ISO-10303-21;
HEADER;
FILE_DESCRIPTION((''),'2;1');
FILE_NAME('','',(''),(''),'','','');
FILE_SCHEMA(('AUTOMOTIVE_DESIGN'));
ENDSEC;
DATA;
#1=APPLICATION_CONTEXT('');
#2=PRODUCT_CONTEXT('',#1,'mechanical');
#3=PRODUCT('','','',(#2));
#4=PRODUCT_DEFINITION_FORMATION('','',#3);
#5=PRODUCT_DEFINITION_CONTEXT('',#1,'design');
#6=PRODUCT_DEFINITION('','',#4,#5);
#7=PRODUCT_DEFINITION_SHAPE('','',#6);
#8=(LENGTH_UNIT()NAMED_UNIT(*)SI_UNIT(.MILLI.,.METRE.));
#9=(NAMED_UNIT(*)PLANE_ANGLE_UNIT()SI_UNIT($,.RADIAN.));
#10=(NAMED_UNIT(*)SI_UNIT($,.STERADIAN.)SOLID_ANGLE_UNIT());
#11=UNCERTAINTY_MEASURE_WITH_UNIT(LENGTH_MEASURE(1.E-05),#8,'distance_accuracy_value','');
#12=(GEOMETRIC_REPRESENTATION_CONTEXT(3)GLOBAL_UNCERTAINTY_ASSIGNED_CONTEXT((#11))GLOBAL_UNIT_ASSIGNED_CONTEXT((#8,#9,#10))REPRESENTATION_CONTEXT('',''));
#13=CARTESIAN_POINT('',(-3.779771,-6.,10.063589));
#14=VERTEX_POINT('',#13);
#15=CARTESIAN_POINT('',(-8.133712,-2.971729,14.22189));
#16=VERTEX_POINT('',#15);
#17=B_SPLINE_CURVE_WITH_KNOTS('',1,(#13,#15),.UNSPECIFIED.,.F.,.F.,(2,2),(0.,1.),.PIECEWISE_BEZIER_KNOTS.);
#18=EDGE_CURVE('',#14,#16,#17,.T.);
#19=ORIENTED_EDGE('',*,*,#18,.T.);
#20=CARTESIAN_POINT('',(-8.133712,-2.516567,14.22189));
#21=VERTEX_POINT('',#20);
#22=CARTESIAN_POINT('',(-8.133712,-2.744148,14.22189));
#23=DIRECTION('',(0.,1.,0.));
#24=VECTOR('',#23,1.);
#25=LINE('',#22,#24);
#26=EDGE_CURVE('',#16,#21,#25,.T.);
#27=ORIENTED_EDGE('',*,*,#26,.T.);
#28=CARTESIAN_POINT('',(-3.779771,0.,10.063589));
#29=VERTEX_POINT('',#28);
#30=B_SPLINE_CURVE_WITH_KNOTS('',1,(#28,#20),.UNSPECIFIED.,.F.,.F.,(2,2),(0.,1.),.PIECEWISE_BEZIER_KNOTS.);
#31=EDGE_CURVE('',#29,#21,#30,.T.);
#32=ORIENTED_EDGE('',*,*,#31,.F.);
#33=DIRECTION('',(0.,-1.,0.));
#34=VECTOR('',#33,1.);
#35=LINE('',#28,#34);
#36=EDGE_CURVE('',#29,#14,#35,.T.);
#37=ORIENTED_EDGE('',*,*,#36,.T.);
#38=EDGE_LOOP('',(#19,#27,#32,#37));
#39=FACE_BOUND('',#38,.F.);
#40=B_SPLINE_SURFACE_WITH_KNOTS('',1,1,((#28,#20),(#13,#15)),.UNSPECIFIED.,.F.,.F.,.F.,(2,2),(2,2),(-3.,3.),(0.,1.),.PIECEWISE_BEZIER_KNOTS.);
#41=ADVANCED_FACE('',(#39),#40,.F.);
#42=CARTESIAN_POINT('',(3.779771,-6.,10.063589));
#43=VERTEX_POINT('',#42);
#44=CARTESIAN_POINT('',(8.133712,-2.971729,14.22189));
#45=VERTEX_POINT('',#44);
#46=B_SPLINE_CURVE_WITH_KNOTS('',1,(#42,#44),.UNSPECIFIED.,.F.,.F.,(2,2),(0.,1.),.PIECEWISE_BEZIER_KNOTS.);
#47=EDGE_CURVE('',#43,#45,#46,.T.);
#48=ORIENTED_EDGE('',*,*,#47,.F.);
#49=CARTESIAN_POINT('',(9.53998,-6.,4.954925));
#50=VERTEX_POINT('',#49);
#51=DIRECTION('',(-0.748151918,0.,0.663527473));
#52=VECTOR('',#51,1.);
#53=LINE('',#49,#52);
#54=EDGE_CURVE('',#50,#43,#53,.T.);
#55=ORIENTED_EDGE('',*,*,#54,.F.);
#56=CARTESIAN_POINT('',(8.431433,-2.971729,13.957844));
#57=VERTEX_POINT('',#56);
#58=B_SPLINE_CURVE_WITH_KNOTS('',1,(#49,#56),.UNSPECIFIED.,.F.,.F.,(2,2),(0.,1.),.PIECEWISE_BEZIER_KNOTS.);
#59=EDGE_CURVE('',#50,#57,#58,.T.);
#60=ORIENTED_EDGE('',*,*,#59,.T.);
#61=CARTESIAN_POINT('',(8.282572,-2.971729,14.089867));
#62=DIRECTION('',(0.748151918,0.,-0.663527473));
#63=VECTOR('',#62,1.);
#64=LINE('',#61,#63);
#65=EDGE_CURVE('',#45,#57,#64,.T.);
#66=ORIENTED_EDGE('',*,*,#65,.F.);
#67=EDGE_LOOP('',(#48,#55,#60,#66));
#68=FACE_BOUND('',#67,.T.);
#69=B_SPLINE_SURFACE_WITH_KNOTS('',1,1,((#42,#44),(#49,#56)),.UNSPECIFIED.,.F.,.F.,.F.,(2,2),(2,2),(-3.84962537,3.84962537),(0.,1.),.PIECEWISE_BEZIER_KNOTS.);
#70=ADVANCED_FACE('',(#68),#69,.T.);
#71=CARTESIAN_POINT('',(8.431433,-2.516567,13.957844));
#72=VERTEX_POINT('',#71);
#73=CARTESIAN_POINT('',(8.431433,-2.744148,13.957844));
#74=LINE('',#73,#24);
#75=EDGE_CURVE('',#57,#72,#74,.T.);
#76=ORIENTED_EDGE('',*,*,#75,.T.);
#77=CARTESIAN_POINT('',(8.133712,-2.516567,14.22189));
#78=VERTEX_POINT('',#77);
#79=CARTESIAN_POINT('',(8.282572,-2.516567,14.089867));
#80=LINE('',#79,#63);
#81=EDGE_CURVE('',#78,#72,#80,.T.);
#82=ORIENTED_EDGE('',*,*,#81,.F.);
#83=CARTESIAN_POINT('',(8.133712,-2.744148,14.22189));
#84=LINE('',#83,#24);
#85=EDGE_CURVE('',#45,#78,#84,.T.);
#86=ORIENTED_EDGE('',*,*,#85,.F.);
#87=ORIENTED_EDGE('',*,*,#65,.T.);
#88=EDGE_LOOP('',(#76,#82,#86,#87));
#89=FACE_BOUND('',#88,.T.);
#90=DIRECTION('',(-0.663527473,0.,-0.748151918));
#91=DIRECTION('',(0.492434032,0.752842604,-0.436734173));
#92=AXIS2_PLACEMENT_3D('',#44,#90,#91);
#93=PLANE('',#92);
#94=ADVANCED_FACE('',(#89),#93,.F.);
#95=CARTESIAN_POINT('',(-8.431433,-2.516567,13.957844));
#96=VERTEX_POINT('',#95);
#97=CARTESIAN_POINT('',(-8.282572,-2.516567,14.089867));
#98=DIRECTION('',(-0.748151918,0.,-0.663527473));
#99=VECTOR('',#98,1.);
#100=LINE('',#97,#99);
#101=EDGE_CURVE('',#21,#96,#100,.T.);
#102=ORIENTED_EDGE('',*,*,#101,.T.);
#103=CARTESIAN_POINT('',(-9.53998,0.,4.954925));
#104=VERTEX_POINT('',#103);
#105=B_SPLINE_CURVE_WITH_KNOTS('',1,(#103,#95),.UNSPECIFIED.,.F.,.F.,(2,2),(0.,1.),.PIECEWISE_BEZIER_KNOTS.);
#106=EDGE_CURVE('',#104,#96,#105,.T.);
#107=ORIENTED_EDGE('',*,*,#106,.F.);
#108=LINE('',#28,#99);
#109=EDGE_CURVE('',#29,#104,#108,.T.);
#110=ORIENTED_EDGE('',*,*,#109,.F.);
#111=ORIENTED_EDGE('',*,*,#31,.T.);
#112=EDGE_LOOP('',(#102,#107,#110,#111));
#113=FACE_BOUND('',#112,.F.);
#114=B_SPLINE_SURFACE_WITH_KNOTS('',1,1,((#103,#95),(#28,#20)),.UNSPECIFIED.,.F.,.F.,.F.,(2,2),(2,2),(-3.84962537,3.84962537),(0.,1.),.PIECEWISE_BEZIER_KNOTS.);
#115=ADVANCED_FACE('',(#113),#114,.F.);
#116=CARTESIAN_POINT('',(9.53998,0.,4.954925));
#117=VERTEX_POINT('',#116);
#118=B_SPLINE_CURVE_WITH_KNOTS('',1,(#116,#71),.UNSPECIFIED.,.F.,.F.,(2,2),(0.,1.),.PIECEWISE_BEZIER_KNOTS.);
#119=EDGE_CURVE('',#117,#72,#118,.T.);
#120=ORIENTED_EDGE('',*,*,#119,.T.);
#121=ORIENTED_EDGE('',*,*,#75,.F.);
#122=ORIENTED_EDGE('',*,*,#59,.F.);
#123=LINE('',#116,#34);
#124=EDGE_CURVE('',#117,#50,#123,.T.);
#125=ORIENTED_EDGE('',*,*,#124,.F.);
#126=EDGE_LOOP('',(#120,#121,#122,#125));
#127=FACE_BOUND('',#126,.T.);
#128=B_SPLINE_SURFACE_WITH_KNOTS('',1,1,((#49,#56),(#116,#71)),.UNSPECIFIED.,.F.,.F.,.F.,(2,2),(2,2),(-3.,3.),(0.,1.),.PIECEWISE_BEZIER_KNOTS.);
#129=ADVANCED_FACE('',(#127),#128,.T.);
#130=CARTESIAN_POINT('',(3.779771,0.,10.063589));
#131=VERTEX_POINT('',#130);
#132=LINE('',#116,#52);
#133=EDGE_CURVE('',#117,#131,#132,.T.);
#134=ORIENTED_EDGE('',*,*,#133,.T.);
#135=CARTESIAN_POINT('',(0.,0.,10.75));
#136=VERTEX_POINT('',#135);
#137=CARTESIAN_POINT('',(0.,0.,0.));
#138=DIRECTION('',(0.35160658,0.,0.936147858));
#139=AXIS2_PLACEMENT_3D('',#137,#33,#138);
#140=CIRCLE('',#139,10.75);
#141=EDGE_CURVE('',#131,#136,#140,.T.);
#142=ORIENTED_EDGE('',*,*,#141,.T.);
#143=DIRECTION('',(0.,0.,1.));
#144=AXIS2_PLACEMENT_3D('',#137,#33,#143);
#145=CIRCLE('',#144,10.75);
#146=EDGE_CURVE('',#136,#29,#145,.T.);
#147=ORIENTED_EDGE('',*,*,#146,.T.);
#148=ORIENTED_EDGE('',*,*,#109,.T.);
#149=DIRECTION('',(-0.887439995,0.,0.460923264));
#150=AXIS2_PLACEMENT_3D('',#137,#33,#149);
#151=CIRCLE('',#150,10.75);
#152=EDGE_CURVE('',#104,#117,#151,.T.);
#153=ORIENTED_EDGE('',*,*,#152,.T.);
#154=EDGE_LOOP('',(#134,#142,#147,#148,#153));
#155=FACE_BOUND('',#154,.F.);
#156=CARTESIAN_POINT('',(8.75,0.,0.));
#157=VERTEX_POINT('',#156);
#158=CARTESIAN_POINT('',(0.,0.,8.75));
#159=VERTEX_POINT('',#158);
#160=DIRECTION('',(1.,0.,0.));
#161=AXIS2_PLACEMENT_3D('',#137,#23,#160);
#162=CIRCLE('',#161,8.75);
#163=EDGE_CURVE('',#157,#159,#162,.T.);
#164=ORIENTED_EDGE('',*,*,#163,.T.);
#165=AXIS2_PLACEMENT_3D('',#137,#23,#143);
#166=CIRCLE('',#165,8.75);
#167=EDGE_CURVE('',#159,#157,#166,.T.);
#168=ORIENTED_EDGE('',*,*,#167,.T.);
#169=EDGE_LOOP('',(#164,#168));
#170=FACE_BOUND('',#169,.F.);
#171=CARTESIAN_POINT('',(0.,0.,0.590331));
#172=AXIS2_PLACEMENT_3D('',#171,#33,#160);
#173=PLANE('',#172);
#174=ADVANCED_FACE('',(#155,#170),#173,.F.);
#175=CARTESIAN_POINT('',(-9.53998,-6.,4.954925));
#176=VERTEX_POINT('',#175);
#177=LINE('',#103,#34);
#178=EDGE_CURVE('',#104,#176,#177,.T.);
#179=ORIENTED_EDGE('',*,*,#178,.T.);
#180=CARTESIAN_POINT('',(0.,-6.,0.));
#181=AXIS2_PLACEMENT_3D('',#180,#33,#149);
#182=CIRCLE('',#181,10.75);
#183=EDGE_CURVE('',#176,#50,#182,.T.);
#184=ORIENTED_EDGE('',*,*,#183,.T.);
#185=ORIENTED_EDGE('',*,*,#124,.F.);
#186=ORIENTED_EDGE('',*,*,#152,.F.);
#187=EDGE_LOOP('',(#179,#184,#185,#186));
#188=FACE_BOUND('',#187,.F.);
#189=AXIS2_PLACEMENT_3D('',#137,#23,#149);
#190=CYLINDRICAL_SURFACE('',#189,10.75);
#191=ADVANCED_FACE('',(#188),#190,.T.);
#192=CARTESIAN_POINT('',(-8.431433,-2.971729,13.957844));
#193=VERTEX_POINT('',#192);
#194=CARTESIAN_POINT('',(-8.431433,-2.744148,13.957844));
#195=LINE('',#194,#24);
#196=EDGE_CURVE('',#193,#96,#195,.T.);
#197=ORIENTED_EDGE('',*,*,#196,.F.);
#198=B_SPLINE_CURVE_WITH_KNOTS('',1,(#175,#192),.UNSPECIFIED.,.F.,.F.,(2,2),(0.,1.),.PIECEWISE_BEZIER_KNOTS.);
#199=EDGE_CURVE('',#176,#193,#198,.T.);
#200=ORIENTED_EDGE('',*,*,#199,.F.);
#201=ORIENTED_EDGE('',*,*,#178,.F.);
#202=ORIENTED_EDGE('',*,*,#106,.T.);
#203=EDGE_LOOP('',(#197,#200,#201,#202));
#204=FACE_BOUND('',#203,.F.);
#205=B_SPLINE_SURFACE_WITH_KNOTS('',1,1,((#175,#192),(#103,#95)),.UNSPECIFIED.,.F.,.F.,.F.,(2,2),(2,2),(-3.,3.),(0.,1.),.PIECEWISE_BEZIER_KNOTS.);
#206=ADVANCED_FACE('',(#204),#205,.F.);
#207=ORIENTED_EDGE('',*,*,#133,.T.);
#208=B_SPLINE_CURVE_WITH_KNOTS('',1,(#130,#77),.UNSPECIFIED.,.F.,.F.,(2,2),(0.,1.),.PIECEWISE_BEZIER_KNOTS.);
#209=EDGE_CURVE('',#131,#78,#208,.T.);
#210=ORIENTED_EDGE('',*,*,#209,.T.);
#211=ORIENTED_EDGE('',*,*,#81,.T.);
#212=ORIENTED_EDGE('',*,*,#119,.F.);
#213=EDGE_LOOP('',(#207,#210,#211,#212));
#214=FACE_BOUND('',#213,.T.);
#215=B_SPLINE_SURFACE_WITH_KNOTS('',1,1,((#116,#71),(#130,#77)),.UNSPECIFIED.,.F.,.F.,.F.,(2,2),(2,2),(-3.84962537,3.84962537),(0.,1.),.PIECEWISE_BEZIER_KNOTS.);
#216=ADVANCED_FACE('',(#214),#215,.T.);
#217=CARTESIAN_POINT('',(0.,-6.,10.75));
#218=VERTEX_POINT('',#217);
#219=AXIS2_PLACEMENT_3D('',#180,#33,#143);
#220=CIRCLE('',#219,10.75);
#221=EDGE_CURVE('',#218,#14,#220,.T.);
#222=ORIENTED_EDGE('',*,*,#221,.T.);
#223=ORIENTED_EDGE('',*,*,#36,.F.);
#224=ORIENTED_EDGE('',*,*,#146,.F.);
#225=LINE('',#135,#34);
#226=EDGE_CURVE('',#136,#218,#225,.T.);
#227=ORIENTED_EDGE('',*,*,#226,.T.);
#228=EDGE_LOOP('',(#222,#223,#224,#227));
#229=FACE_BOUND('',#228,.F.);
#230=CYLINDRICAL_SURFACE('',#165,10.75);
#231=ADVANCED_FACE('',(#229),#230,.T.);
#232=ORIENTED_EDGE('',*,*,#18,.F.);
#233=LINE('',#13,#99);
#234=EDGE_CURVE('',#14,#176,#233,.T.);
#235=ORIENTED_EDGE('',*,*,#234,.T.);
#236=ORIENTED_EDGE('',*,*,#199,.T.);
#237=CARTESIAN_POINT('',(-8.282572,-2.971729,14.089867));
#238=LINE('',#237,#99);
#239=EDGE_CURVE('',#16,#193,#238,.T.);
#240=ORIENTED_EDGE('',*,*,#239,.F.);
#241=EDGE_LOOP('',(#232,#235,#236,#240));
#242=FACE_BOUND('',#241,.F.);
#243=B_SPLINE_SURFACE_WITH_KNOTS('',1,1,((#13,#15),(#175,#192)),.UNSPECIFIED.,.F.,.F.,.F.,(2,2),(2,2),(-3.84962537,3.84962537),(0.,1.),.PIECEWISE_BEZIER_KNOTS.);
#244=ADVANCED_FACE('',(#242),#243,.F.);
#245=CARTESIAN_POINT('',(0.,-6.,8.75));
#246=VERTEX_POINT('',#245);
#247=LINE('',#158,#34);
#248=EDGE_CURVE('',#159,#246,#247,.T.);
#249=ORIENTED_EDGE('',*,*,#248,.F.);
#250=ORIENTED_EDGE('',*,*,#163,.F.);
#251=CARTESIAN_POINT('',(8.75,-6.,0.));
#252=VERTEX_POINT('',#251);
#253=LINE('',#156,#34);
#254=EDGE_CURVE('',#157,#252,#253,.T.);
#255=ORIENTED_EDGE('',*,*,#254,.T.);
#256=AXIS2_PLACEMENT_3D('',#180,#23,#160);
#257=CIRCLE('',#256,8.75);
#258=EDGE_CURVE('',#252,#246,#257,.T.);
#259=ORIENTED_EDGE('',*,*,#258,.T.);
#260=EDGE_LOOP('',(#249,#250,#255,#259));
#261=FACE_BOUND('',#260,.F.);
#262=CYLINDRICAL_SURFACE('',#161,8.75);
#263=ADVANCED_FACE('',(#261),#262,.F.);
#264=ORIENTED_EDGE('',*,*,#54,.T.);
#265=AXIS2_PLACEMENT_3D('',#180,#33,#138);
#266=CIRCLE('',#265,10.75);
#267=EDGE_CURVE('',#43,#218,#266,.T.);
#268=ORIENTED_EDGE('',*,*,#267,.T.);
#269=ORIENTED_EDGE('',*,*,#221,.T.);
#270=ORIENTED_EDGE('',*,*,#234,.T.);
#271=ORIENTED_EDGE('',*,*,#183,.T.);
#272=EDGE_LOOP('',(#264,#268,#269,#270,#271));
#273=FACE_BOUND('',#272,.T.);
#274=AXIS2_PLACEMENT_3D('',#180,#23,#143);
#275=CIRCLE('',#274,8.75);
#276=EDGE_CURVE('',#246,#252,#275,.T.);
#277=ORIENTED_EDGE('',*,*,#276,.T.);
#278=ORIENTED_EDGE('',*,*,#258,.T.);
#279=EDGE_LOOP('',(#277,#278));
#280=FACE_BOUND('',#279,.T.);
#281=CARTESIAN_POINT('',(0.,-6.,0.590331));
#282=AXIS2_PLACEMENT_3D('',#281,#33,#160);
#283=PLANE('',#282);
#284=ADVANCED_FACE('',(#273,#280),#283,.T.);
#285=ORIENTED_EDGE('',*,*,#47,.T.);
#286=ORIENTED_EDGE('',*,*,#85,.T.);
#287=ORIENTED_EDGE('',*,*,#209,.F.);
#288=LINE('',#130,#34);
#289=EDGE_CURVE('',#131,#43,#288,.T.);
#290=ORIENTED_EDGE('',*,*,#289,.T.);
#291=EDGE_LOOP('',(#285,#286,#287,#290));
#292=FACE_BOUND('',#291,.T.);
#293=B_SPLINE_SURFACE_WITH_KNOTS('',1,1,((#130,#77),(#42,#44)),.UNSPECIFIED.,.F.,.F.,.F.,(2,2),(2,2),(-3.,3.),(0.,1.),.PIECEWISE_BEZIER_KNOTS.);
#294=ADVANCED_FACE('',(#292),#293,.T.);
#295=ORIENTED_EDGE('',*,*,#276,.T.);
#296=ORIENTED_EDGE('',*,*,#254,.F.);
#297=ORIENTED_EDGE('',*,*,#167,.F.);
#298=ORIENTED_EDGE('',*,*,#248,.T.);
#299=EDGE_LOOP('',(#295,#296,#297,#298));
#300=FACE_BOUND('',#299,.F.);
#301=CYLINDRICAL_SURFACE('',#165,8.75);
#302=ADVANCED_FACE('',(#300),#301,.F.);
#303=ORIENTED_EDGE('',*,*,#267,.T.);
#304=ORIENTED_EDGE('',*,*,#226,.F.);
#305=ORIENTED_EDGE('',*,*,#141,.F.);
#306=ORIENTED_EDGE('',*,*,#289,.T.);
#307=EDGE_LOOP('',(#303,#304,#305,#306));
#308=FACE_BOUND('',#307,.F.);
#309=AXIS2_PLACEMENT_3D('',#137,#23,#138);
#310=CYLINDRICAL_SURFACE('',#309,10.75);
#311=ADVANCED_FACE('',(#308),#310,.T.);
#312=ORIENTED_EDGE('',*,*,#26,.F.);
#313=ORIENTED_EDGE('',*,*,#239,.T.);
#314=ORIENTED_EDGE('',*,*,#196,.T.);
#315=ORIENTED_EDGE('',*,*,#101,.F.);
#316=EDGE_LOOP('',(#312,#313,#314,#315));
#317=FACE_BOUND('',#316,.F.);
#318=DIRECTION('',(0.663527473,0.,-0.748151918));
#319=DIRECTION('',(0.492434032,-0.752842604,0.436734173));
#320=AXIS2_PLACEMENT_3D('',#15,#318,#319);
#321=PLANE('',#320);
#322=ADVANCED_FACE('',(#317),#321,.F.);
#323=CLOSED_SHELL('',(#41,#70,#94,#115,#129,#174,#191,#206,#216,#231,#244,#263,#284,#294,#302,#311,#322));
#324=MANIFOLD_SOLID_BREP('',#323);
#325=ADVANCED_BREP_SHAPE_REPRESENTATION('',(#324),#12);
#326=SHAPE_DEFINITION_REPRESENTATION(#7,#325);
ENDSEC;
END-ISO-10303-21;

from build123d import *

# Parameters (mm, degrees)
F1_DEPTH  = 6
F1_FACE_W = 6
F1_FACE_H = 7.6992507409
F3_W      = 0.3979424946
F3_H      = 0.4551622551


with BuildPart() as f1:
    # F0 (on Front) → F1 (new body)
    with BuildSketch(Plane.XZ):
        with BuildLine():
            ThreePointArc((3.7797707351, 10.0635894784), (1.9207958125, 10.5770054102), (0, 10.75))
            ThreePointArc((0, 10.75), (-1.9207958125, 10.5770054102), (-3.7797707351, 10.0635894784))
            Line((-3.7797707351, 10.0635894784), (-9.5399799449, 4.9549250904))
            ThreePointArc((-9.5399799449, 4.9549250904), (0, -10.75), (9.5399799449, 4.9549250904))
            Line((9.5399799449, 4.9549250904), (3.7797707351, 10.0635894784))
        make_face()
        with BuildLine():
            ThreePointArc((0, 8.75), (6.1871843354, 6.1871843354), (8.75, 0))
            ThreePointArc((8.75, 0), (-6.1871843354, -6.1871843354), (0, 8.75))
        make_face(mode=Mode.SUBTRACT)
    extrude(amount=F1_DEPTH)

    # F1_face (on face) → F4 section 0
    with BuildSketch(Plane(origin=(6.65987534, -3, 7.5092572844), x_dir=(0, 1, 0), z_dir=(0.663527473, 0, 0.7481519181))):
        Rectangle(F1_FACE_W, F1_FACE_H)
    # F3 (on offset) → F4 section 1
    with BuildSketch(Plane(origin=(10.641040178, 0, 11.9981687931), x_dir=(0.7481519181, 0, -0.663527473), z_dir=(0.663527473, 0, 0.7481519181))):
        with Locations((-3.1523916405, -2.7441481361)):
            Rectangle(F3_W, F3_H)
    loft()

    # F5: F1 across plane


with BuildPart() as f1_1:
    add(f1.part)
    add(f1.part.mirror(Plane.YZ))


solid = f1_1.part
